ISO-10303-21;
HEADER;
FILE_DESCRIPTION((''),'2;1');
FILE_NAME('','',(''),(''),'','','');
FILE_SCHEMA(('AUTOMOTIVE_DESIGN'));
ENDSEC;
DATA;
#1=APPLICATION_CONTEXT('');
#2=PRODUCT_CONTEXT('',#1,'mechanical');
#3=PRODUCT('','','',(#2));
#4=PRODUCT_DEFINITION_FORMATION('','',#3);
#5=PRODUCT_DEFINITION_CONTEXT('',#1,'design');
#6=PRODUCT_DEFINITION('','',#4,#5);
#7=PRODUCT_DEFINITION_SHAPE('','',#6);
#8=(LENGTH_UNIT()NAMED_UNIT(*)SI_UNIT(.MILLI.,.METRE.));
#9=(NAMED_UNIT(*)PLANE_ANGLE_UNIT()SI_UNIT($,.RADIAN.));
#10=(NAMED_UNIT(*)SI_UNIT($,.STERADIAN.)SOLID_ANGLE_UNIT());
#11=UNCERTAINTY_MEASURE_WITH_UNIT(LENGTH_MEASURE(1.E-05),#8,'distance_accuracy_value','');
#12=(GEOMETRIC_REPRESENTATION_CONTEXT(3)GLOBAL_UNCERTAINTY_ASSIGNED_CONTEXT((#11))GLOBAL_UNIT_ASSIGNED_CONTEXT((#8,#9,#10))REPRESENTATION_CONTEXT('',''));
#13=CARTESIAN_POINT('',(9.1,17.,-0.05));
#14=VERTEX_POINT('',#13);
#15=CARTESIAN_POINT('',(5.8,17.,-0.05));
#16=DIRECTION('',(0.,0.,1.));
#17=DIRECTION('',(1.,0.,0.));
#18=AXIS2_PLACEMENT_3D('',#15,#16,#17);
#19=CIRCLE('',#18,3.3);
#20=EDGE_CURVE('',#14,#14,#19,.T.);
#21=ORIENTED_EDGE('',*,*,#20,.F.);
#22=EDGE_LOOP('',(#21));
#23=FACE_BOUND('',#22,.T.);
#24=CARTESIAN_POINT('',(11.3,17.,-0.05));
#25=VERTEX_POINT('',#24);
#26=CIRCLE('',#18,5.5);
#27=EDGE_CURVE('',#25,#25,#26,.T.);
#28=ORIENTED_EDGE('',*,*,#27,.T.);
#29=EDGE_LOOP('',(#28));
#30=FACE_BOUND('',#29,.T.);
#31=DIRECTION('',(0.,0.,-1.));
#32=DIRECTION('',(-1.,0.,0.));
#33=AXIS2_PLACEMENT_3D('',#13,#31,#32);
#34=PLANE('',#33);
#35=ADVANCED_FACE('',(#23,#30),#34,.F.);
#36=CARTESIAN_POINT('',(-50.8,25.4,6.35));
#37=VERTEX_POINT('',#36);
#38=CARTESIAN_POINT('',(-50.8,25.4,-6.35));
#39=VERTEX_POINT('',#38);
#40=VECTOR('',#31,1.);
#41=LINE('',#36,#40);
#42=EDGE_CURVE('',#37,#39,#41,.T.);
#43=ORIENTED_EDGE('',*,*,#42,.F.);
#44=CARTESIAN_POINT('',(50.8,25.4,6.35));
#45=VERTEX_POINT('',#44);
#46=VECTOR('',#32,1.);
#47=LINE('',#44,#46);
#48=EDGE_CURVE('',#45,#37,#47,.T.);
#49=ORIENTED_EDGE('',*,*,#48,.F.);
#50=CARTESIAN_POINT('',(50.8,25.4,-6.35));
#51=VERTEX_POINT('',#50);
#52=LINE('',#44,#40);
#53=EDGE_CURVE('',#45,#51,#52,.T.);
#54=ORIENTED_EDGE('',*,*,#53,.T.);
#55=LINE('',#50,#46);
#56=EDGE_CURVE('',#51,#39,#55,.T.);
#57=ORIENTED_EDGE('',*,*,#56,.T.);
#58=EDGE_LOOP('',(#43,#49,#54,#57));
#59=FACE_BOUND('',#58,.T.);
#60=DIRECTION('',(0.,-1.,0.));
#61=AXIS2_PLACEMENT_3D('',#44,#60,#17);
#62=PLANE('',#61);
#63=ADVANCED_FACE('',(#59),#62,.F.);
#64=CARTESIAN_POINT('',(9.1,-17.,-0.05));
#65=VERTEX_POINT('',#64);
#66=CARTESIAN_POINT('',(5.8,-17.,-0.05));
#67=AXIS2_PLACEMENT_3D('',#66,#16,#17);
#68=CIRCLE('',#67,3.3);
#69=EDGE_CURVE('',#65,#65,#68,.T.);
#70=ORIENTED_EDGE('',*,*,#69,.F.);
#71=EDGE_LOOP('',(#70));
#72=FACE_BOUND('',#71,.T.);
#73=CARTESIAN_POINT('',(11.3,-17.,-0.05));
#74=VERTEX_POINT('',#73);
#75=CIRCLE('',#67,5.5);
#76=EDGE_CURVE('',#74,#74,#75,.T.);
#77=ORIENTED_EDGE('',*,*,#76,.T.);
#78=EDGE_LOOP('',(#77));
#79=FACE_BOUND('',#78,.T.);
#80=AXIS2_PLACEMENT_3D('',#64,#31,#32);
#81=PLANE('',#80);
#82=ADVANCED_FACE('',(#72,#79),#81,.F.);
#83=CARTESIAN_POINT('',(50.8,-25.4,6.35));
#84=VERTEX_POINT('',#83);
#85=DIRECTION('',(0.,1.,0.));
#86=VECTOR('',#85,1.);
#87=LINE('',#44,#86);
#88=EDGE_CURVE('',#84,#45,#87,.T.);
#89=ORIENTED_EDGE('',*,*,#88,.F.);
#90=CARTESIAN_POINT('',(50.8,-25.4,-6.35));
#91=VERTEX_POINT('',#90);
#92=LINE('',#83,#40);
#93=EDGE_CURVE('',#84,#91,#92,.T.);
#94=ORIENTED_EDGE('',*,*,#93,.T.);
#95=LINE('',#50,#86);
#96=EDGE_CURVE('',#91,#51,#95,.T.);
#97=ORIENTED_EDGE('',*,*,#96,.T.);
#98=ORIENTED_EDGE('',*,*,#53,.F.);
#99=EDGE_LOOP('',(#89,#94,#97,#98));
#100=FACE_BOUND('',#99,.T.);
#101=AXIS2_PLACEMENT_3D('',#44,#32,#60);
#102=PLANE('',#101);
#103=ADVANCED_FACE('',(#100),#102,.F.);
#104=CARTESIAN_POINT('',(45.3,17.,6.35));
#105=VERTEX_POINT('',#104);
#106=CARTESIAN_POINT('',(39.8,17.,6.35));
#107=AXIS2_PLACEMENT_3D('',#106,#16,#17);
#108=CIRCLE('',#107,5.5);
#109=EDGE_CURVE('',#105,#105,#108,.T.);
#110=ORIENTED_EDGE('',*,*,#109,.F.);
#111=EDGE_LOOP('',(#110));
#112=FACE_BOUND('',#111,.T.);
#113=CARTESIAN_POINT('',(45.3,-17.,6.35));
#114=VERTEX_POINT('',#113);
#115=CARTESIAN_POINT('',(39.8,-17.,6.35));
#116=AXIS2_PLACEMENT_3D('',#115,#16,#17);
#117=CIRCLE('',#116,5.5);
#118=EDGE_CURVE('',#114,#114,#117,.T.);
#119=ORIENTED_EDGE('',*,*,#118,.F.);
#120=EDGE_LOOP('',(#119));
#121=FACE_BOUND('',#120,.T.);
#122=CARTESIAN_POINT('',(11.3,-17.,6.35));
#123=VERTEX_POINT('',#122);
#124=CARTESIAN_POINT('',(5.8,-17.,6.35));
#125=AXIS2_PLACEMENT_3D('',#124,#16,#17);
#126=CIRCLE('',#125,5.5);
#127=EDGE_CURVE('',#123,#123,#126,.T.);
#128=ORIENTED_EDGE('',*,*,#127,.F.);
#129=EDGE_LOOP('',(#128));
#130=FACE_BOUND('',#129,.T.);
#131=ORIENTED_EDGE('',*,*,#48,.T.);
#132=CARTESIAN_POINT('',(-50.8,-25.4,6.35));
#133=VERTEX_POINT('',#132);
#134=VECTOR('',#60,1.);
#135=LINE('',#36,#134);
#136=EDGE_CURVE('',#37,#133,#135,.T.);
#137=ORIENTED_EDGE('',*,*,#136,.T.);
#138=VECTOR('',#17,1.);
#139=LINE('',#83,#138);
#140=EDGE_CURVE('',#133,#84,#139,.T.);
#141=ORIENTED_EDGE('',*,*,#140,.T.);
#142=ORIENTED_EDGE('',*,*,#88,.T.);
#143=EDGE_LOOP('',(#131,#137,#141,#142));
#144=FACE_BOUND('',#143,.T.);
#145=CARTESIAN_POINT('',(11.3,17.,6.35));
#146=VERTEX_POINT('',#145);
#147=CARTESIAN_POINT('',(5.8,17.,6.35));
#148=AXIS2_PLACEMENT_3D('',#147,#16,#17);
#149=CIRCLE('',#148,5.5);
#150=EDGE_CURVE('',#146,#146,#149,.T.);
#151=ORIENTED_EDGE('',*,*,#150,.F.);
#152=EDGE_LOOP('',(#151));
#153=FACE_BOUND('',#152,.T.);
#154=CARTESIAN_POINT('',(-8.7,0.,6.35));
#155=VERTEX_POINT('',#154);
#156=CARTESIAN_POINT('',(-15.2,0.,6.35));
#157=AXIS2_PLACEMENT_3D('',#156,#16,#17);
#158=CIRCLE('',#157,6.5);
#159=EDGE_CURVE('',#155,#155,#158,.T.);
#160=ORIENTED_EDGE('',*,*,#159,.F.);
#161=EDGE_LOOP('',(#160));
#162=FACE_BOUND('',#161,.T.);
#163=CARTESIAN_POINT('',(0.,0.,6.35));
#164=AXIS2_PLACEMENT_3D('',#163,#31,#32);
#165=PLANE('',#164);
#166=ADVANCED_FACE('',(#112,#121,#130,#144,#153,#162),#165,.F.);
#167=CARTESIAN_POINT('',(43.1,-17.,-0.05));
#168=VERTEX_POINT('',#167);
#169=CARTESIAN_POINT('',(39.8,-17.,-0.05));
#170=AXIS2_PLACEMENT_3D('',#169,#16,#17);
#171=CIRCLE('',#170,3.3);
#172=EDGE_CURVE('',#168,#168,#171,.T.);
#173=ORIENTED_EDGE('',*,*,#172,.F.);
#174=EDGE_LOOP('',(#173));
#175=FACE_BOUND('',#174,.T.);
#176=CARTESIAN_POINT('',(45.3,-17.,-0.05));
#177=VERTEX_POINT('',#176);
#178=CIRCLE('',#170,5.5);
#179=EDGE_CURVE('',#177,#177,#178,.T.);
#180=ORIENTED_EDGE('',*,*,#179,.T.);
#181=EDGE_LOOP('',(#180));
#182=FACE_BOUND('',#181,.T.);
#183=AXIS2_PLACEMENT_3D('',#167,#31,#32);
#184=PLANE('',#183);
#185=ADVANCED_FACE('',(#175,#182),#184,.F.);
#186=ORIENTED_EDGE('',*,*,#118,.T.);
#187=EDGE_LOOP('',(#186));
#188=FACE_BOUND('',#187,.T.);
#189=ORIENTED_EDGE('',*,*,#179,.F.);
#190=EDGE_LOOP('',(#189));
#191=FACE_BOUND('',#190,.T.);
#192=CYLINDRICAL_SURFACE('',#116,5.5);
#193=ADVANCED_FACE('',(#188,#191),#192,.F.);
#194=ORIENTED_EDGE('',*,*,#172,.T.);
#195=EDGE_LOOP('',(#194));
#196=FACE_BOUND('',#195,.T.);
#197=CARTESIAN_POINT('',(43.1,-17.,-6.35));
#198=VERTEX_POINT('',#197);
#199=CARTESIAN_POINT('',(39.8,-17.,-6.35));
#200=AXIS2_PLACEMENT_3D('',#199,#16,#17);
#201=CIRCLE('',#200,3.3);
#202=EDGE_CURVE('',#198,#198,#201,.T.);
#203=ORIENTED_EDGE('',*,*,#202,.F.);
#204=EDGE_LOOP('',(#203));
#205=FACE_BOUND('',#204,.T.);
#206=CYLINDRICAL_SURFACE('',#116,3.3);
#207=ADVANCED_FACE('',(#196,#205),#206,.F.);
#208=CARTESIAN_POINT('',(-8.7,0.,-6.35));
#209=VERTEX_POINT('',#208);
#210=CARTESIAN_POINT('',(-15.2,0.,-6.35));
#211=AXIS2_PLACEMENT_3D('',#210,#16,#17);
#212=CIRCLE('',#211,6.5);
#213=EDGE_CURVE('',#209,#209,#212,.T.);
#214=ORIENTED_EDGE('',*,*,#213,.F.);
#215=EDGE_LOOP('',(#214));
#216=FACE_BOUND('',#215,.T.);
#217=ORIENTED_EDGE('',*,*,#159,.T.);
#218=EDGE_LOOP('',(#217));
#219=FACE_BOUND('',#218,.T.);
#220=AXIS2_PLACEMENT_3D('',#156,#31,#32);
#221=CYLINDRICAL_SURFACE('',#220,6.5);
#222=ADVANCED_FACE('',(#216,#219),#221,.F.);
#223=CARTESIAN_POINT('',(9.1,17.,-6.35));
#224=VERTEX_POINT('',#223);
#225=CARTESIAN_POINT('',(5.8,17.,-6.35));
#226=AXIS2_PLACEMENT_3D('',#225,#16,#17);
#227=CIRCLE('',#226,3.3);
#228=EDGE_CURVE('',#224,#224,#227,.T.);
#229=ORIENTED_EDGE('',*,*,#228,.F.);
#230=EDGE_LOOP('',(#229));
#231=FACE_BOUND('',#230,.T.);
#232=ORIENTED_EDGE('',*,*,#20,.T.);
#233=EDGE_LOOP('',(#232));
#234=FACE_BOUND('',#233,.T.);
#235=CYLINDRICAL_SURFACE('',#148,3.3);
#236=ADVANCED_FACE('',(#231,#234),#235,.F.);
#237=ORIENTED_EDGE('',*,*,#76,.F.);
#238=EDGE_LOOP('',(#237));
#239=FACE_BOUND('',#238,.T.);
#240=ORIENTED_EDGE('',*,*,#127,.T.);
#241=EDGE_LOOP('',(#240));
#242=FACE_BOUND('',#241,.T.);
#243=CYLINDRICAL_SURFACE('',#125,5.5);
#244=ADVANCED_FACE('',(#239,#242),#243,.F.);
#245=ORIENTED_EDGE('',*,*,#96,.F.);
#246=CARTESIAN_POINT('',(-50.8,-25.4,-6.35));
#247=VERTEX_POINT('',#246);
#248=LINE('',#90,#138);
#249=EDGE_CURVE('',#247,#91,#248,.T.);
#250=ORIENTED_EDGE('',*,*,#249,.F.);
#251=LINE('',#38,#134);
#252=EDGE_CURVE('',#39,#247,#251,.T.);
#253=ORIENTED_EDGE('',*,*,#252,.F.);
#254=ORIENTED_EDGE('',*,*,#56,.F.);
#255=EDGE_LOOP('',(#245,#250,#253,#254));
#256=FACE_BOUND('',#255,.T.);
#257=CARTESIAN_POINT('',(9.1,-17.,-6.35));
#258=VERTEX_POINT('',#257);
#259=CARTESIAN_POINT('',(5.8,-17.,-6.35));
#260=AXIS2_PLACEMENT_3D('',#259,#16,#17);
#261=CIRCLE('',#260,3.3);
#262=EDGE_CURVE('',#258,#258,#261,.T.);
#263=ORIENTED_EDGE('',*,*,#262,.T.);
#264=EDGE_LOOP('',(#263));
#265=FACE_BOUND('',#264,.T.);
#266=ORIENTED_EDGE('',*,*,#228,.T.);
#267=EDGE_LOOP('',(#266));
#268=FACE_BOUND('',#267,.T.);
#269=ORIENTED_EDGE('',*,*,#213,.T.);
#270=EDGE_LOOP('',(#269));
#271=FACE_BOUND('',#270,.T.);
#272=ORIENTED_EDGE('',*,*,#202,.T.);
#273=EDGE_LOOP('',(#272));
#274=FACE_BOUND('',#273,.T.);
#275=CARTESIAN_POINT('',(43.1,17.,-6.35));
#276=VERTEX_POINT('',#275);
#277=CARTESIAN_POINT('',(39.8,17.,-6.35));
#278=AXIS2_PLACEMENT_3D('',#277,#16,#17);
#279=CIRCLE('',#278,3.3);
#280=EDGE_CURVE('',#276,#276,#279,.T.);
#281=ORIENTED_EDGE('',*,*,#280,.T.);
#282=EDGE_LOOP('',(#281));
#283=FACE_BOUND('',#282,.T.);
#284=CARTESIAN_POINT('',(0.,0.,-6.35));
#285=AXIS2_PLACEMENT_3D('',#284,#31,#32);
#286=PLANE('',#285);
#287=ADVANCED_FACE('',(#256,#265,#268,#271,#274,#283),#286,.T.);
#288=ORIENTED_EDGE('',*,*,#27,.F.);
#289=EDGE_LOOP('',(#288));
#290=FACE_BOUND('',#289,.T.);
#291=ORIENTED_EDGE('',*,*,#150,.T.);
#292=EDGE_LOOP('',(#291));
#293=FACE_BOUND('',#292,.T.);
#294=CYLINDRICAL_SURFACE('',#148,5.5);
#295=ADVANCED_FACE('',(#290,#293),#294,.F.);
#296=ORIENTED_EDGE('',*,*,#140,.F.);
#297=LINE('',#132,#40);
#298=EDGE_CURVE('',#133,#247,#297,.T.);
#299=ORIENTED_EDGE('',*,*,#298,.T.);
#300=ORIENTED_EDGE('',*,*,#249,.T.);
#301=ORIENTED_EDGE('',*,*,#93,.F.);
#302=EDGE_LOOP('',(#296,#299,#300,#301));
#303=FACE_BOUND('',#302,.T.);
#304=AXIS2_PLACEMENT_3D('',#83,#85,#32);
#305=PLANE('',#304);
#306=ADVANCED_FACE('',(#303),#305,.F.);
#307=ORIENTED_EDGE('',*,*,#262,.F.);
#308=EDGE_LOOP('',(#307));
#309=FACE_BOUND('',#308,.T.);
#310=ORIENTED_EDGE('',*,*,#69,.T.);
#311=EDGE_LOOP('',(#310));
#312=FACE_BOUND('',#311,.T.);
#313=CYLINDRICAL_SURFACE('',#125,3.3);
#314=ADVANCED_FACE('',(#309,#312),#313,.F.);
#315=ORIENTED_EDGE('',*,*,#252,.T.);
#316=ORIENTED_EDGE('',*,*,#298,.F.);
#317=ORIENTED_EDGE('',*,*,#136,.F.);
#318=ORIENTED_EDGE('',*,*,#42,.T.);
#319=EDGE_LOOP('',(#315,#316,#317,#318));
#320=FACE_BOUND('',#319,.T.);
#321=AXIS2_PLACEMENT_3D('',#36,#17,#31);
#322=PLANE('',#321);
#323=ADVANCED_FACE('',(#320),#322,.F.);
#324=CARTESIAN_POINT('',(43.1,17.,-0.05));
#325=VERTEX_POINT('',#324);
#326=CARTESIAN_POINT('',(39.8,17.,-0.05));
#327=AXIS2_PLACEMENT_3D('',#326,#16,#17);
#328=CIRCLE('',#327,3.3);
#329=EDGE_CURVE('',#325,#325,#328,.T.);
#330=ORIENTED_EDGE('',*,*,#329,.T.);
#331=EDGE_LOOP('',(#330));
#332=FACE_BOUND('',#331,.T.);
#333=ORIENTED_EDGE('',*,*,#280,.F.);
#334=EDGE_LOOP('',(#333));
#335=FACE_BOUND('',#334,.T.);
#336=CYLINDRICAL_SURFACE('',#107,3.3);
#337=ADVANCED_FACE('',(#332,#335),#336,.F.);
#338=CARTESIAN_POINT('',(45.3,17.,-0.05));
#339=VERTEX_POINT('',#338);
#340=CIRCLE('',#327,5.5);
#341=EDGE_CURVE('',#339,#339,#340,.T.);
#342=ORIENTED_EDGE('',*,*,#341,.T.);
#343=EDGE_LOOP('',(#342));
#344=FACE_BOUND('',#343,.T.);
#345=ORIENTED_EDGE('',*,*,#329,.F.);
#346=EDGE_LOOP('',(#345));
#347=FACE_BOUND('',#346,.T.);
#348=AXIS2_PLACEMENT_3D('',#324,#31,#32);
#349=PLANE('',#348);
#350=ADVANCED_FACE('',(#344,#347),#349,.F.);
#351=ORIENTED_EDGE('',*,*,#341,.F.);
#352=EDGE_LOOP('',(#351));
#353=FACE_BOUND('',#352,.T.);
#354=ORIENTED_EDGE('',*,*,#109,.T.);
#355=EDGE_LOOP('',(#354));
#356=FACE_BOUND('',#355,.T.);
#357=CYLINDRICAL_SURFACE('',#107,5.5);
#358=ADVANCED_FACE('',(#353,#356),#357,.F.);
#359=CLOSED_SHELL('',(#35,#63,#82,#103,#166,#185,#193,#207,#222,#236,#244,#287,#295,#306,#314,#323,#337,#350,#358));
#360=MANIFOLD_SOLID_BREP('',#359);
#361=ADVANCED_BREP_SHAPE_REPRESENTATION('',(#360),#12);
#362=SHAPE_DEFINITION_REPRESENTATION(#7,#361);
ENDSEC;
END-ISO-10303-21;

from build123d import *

# Parameters (mm, degrees)
CROQUIS1_W                                           = 101.6
CROQUIS1_H                                           = 50.8
CROQUIS1_R                                           = 6.5
SALIENTE_EXTRUIR1_DEPTH                              = 6.35
REFRENTADO_PARA_TORNILLO_CON_CABEZA_HUEC_D           = 6.6
REFRENTADO_PARA_TORNILLO_CON_CABEZA_HUEC_CBORE_D     = 11
REFRENTADO_PARA_TORNILLO_CON_CABEZA_HUEC_CBORE_DEPTH = 6.4


with BuildPart() as part:
    # Croquis1 → Saliente-Extruir1 (new, symmetric)
    with BuildSketch(Plane.XY):
        Rectangle(CROQUIS1_W, CROQUIS1_H)
        with Locations((-15.2, 0)):
            Circle(CROQUIS1_R, mode=Mode.SUBTRACT)
    extrude(amount=SALIENTE_EXTRUIR1_DEPTH, both=True)

    # Refrentado para tornillo con cabeza hueca de M61 (through all)
    with Locations(Plane.XY.offset(6.35)):
        with Locations((5.8, 17), (39.8, 17), (39.8, -17), (5.8, -17)):
            CounterBoreHole(REFRENTADO_PARA_TORNILLO_CON_CABEZA_HUEC_D / 2, REFRENTADO_PARA_TORNILLO_CON_CABEZA_HUEC_CBORE_D / 2, REFRENTADO_PARA_TORNILLO_CON_CABEZA_HUEC_CBORE_DEPTH)


solid = part.part
